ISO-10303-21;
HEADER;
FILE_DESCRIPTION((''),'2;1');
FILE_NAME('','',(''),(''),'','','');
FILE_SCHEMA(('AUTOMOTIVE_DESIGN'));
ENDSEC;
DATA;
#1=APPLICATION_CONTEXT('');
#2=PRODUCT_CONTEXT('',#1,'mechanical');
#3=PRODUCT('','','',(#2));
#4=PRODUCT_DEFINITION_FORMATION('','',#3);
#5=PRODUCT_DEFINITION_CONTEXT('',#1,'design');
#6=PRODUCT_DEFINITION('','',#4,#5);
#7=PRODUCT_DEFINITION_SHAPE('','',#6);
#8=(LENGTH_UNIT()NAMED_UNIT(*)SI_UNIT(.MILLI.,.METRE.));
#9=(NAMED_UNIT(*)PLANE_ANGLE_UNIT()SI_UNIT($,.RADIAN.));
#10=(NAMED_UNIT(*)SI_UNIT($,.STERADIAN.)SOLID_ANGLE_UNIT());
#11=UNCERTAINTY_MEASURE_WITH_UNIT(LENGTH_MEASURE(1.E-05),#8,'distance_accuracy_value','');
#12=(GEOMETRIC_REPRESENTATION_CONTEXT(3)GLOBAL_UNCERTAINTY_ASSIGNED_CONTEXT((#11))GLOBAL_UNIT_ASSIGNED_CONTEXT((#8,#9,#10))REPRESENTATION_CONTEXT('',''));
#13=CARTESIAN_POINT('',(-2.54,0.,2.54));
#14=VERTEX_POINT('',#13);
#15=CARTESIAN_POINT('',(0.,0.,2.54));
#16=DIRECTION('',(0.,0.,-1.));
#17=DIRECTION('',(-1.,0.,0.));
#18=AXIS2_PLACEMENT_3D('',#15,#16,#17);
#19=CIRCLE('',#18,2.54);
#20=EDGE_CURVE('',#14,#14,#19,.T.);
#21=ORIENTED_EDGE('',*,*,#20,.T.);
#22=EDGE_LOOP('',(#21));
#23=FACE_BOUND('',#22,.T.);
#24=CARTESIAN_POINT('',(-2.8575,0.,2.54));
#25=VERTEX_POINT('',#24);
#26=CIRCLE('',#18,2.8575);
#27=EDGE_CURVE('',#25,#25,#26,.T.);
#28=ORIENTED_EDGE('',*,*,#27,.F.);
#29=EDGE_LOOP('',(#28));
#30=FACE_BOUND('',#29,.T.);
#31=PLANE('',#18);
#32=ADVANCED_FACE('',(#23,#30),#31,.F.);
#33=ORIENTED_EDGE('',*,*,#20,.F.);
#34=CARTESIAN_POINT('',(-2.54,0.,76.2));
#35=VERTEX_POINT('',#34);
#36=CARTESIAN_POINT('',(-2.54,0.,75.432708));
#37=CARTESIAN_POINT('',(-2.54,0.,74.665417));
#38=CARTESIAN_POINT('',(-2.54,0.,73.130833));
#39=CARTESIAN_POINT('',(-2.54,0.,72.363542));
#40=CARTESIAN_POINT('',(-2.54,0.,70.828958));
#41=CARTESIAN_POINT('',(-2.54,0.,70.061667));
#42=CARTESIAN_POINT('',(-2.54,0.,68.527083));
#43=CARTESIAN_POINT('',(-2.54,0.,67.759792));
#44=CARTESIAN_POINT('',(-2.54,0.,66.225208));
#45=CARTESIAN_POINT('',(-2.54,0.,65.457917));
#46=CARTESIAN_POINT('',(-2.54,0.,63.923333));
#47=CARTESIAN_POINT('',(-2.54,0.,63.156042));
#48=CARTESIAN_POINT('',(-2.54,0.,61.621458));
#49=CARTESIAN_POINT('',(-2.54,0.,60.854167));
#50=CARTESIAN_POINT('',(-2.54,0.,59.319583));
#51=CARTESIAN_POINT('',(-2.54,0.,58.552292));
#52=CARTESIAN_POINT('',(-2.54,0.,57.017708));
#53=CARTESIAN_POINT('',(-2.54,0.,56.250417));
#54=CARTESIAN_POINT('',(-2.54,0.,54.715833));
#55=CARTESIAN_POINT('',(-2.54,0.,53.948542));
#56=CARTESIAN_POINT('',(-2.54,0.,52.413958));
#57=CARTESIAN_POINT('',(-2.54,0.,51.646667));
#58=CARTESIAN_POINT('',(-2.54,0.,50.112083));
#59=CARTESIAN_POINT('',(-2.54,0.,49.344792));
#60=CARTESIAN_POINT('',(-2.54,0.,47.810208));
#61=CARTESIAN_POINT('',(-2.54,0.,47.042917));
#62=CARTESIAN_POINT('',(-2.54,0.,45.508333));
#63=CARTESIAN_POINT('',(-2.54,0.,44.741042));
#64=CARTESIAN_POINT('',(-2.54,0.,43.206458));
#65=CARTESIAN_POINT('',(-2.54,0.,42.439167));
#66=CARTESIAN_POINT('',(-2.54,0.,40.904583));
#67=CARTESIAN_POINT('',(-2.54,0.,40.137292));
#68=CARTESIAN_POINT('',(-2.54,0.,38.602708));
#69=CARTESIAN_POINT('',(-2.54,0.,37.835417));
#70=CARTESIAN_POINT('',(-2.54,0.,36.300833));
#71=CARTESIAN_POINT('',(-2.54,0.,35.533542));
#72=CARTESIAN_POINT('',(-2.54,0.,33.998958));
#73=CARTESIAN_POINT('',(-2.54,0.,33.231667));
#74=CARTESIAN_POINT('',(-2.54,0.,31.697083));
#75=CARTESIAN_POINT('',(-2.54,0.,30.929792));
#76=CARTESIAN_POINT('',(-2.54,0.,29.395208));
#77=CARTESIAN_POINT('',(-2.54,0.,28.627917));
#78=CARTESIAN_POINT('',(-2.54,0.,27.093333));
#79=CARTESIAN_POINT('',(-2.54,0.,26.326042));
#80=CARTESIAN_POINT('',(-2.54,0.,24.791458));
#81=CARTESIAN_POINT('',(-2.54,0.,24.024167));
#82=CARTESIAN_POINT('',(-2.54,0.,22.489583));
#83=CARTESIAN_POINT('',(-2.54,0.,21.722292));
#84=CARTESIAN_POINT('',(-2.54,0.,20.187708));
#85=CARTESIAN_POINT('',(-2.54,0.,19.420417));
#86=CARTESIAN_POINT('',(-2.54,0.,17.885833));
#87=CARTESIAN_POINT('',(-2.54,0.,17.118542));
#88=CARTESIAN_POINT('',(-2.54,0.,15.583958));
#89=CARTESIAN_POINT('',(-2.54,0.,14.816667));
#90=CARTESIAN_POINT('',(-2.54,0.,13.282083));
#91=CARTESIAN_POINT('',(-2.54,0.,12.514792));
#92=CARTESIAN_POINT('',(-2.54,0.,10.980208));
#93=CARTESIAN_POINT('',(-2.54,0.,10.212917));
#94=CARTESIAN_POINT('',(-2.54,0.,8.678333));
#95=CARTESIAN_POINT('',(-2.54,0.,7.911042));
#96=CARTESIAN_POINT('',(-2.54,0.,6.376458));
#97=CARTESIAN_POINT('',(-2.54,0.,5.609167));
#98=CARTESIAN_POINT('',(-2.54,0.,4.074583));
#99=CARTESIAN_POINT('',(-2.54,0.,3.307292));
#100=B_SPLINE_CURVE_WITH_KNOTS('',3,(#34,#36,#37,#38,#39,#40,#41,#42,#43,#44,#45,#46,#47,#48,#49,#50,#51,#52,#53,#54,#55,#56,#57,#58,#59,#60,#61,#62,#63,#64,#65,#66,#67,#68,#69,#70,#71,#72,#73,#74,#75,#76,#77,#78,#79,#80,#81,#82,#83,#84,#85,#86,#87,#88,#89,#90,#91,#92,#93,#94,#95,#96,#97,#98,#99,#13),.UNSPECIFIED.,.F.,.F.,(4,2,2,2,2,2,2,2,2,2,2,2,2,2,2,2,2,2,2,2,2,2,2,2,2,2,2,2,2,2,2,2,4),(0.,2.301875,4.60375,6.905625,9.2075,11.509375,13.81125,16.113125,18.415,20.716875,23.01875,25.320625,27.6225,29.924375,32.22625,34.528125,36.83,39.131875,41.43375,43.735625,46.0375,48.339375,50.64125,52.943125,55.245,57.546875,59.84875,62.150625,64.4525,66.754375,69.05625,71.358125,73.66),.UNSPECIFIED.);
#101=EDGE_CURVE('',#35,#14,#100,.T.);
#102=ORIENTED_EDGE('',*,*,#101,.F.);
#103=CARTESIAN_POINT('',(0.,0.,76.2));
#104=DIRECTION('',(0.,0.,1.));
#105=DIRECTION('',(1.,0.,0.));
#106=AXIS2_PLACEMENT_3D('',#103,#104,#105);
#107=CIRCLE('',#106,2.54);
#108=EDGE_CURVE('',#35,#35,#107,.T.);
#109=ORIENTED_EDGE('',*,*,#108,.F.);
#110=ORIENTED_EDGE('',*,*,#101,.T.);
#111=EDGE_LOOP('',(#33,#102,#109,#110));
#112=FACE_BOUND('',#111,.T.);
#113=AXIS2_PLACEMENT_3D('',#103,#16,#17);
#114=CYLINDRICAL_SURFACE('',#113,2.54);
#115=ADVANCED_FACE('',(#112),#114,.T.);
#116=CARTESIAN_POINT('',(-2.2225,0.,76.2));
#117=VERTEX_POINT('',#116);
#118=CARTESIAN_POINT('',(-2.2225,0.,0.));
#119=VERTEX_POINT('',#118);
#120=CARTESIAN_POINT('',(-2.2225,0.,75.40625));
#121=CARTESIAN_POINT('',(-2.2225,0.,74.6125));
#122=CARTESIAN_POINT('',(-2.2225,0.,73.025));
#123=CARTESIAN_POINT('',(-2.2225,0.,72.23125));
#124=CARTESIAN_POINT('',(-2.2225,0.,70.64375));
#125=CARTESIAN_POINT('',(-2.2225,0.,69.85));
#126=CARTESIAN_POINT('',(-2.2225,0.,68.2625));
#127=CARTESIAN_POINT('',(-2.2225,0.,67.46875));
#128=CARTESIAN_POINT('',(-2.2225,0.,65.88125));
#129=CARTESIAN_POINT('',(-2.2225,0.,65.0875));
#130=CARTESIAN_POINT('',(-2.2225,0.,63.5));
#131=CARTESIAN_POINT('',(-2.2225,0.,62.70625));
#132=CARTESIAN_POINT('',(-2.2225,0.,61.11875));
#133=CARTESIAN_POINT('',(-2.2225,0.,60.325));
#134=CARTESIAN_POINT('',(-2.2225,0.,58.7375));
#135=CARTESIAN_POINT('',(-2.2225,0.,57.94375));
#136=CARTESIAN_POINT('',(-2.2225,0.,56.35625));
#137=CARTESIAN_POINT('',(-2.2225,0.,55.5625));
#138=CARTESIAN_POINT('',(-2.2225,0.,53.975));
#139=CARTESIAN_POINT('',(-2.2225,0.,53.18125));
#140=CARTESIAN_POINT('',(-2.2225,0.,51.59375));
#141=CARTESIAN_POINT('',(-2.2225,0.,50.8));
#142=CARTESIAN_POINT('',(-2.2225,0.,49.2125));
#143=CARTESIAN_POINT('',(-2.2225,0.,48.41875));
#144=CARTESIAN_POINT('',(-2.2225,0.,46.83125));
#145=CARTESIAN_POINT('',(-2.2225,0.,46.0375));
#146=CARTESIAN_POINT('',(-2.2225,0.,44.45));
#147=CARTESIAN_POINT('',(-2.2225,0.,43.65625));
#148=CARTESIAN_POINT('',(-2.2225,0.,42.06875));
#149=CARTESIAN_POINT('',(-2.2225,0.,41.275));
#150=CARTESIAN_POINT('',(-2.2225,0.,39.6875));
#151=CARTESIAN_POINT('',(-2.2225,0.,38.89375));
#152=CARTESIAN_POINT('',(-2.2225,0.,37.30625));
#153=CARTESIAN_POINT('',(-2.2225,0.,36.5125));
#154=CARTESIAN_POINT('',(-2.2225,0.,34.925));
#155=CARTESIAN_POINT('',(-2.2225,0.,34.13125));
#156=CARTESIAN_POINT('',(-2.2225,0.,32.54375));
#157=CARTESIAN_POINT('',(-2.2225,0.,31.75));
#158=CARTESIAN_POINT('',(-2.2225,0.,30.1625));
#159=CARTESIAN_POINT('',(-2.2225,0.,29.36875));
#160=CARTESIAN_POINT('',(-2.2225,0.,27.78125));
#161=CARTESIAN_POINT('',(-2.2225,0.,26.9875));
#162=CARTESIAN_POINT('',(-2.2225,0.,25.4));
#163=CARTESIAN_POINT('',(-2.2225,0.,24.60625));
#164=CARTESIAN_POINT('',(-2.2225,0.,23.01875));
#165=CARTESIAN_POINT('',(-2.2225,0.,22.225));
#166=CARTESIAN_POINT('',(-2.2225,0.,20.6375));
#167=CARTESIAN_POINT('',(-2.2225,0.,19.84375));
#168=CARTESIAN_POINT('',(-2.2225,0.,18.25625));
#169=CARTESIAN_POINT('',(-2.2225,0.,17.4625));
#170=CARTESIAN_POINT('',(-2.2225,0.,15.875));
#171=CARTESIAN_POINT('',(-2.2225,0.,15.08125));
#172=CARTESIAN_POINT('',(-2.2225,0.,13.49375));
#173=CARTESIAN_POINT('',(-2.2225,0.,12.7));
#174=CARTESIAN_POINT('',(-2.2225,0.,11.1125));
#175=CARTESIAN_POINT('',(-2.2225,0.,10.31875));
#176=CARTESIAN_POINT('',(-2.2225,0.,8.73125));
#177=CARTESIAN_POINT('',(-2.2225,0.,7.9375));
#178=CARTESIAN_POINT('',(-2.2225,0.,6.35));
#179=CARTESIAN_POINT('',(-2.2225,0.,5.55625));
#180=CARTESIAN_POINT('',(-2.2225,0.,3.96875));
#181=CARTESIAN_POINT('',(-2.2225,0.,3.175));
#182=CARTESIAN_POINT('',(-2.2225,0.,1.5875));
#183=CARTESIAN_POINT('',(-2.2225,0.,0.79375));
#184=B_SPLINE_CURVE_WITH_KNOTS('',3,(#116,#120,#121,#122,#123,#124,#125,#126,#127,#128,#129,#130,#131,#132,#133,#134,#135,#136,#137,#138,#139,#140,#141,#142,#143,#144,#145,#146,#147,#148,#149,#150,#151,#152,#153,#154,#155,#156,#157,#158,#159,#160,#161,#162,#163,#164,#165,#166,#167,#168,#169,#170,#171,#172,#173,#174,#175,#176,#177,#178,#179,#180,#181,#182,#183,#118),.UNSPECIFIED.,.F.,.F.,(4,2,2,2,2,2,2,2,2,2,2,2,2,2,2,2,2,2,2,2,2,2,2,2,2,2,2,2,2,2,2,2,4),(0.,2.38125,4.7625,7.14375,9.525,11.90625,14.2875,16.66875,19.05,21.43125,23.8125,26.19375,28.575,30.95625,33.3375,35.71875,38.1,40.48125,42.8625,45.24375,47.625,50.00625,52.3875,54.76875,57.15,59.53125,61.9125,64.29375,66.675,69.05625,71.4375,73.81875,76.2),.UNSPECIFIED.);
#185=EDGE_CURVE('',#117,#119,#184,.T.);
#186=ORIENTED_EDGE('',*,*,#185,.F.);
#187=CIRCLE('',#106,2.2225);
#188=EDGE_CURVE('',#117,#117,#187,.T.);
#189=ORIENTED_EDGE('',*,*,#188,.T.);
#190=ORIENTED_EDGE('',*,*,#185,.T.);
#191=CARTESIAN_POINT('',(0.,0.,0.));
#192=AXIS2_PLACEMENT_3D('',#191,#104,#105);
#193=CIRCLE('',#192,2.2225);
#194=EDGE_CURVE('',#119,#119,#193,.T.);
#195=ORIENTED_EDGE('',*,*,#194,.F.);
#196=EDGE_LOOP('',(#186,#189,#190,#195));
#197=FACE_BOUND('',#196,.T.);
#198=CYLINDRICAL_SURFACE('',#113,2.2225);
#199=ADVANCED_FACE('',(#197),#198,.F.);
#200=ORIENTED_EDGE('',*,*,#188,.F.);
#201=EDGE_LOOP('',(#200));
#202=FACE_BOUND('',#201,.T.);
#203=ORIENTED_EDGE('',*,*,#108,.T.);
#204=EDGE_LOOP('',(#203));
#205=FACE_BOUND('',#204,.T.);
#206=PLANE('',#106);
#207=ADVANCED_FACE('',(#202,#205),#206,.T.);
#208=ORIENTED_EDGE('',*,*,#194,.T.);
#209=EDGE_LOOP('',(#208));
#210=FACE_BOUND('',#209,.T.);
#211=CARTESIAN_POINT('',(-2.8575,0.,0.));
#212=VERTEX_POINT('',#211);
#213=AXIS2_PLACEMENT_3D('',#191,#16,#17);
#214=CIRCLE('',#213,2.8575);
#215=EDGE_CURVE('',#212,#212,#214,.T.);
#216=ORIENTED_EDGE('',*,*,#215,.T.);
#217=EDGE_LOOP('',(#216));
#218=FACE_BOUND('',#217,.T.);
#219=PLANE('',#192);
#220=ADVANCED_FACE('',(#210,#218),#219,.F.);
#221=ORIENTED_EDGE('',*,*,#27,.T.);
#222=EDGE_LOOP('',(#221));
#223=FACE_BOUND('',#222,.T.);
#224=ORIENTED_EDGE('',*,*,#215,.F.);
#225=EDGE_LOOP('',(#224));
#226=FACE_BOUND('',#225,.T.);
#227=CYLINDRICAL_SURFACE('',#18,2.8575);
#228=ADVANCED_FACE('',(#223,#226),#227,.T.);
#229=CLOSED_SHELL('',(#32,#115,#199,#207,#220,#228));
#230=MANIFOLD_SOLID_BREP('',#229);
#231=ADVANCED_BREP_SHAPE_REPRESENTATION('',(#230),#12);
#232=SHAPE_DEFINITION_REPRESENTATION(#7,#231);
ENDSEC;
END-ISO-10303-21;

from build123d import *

# Parameters (mm, degrees)
SKETCH1_R           = 2.54
SKETCH1_R_2         = 2.2225
BOSS_EXTRUDE1_DEPTH = 76.2
SKETCH2_R           = 2.8575
SKETCH2_R_2         = 2.54
BOSS_EXTRUDE2_DEPTH = 2.54


with BuildPart() as part:
    # Sketch1 → Boss-Extrude1 (new body)
    with BuildSketch(Plane.XY):
        with Locations(Location((0, 0, 0), (0, 0, 180))):
            Circle(SKETCH1_R)
        with Locations(Location((0, 0, 0), (0, 0, 180))):
            Circle(SKETCH1_R_2, mode=Mode.SUBTRACT)
    extrude(amount=BOSS_EXTRUDE1_DEPTH)

    # Sketch2 → Boss-Extrude2 (add)
    with BuildSketch(Plane(origin=(0, 0, 0), x_dir=(-1, 0, 0), z_dir=(0, 0, -1))):
        Circle(SKETCH2_R)
        Circle(SKETCH2_R_2, mode=Mode.SUBTRACT)
    extrude(amount=-BOSS_EXTRUDE2_DEPTH)


solid = part.part
